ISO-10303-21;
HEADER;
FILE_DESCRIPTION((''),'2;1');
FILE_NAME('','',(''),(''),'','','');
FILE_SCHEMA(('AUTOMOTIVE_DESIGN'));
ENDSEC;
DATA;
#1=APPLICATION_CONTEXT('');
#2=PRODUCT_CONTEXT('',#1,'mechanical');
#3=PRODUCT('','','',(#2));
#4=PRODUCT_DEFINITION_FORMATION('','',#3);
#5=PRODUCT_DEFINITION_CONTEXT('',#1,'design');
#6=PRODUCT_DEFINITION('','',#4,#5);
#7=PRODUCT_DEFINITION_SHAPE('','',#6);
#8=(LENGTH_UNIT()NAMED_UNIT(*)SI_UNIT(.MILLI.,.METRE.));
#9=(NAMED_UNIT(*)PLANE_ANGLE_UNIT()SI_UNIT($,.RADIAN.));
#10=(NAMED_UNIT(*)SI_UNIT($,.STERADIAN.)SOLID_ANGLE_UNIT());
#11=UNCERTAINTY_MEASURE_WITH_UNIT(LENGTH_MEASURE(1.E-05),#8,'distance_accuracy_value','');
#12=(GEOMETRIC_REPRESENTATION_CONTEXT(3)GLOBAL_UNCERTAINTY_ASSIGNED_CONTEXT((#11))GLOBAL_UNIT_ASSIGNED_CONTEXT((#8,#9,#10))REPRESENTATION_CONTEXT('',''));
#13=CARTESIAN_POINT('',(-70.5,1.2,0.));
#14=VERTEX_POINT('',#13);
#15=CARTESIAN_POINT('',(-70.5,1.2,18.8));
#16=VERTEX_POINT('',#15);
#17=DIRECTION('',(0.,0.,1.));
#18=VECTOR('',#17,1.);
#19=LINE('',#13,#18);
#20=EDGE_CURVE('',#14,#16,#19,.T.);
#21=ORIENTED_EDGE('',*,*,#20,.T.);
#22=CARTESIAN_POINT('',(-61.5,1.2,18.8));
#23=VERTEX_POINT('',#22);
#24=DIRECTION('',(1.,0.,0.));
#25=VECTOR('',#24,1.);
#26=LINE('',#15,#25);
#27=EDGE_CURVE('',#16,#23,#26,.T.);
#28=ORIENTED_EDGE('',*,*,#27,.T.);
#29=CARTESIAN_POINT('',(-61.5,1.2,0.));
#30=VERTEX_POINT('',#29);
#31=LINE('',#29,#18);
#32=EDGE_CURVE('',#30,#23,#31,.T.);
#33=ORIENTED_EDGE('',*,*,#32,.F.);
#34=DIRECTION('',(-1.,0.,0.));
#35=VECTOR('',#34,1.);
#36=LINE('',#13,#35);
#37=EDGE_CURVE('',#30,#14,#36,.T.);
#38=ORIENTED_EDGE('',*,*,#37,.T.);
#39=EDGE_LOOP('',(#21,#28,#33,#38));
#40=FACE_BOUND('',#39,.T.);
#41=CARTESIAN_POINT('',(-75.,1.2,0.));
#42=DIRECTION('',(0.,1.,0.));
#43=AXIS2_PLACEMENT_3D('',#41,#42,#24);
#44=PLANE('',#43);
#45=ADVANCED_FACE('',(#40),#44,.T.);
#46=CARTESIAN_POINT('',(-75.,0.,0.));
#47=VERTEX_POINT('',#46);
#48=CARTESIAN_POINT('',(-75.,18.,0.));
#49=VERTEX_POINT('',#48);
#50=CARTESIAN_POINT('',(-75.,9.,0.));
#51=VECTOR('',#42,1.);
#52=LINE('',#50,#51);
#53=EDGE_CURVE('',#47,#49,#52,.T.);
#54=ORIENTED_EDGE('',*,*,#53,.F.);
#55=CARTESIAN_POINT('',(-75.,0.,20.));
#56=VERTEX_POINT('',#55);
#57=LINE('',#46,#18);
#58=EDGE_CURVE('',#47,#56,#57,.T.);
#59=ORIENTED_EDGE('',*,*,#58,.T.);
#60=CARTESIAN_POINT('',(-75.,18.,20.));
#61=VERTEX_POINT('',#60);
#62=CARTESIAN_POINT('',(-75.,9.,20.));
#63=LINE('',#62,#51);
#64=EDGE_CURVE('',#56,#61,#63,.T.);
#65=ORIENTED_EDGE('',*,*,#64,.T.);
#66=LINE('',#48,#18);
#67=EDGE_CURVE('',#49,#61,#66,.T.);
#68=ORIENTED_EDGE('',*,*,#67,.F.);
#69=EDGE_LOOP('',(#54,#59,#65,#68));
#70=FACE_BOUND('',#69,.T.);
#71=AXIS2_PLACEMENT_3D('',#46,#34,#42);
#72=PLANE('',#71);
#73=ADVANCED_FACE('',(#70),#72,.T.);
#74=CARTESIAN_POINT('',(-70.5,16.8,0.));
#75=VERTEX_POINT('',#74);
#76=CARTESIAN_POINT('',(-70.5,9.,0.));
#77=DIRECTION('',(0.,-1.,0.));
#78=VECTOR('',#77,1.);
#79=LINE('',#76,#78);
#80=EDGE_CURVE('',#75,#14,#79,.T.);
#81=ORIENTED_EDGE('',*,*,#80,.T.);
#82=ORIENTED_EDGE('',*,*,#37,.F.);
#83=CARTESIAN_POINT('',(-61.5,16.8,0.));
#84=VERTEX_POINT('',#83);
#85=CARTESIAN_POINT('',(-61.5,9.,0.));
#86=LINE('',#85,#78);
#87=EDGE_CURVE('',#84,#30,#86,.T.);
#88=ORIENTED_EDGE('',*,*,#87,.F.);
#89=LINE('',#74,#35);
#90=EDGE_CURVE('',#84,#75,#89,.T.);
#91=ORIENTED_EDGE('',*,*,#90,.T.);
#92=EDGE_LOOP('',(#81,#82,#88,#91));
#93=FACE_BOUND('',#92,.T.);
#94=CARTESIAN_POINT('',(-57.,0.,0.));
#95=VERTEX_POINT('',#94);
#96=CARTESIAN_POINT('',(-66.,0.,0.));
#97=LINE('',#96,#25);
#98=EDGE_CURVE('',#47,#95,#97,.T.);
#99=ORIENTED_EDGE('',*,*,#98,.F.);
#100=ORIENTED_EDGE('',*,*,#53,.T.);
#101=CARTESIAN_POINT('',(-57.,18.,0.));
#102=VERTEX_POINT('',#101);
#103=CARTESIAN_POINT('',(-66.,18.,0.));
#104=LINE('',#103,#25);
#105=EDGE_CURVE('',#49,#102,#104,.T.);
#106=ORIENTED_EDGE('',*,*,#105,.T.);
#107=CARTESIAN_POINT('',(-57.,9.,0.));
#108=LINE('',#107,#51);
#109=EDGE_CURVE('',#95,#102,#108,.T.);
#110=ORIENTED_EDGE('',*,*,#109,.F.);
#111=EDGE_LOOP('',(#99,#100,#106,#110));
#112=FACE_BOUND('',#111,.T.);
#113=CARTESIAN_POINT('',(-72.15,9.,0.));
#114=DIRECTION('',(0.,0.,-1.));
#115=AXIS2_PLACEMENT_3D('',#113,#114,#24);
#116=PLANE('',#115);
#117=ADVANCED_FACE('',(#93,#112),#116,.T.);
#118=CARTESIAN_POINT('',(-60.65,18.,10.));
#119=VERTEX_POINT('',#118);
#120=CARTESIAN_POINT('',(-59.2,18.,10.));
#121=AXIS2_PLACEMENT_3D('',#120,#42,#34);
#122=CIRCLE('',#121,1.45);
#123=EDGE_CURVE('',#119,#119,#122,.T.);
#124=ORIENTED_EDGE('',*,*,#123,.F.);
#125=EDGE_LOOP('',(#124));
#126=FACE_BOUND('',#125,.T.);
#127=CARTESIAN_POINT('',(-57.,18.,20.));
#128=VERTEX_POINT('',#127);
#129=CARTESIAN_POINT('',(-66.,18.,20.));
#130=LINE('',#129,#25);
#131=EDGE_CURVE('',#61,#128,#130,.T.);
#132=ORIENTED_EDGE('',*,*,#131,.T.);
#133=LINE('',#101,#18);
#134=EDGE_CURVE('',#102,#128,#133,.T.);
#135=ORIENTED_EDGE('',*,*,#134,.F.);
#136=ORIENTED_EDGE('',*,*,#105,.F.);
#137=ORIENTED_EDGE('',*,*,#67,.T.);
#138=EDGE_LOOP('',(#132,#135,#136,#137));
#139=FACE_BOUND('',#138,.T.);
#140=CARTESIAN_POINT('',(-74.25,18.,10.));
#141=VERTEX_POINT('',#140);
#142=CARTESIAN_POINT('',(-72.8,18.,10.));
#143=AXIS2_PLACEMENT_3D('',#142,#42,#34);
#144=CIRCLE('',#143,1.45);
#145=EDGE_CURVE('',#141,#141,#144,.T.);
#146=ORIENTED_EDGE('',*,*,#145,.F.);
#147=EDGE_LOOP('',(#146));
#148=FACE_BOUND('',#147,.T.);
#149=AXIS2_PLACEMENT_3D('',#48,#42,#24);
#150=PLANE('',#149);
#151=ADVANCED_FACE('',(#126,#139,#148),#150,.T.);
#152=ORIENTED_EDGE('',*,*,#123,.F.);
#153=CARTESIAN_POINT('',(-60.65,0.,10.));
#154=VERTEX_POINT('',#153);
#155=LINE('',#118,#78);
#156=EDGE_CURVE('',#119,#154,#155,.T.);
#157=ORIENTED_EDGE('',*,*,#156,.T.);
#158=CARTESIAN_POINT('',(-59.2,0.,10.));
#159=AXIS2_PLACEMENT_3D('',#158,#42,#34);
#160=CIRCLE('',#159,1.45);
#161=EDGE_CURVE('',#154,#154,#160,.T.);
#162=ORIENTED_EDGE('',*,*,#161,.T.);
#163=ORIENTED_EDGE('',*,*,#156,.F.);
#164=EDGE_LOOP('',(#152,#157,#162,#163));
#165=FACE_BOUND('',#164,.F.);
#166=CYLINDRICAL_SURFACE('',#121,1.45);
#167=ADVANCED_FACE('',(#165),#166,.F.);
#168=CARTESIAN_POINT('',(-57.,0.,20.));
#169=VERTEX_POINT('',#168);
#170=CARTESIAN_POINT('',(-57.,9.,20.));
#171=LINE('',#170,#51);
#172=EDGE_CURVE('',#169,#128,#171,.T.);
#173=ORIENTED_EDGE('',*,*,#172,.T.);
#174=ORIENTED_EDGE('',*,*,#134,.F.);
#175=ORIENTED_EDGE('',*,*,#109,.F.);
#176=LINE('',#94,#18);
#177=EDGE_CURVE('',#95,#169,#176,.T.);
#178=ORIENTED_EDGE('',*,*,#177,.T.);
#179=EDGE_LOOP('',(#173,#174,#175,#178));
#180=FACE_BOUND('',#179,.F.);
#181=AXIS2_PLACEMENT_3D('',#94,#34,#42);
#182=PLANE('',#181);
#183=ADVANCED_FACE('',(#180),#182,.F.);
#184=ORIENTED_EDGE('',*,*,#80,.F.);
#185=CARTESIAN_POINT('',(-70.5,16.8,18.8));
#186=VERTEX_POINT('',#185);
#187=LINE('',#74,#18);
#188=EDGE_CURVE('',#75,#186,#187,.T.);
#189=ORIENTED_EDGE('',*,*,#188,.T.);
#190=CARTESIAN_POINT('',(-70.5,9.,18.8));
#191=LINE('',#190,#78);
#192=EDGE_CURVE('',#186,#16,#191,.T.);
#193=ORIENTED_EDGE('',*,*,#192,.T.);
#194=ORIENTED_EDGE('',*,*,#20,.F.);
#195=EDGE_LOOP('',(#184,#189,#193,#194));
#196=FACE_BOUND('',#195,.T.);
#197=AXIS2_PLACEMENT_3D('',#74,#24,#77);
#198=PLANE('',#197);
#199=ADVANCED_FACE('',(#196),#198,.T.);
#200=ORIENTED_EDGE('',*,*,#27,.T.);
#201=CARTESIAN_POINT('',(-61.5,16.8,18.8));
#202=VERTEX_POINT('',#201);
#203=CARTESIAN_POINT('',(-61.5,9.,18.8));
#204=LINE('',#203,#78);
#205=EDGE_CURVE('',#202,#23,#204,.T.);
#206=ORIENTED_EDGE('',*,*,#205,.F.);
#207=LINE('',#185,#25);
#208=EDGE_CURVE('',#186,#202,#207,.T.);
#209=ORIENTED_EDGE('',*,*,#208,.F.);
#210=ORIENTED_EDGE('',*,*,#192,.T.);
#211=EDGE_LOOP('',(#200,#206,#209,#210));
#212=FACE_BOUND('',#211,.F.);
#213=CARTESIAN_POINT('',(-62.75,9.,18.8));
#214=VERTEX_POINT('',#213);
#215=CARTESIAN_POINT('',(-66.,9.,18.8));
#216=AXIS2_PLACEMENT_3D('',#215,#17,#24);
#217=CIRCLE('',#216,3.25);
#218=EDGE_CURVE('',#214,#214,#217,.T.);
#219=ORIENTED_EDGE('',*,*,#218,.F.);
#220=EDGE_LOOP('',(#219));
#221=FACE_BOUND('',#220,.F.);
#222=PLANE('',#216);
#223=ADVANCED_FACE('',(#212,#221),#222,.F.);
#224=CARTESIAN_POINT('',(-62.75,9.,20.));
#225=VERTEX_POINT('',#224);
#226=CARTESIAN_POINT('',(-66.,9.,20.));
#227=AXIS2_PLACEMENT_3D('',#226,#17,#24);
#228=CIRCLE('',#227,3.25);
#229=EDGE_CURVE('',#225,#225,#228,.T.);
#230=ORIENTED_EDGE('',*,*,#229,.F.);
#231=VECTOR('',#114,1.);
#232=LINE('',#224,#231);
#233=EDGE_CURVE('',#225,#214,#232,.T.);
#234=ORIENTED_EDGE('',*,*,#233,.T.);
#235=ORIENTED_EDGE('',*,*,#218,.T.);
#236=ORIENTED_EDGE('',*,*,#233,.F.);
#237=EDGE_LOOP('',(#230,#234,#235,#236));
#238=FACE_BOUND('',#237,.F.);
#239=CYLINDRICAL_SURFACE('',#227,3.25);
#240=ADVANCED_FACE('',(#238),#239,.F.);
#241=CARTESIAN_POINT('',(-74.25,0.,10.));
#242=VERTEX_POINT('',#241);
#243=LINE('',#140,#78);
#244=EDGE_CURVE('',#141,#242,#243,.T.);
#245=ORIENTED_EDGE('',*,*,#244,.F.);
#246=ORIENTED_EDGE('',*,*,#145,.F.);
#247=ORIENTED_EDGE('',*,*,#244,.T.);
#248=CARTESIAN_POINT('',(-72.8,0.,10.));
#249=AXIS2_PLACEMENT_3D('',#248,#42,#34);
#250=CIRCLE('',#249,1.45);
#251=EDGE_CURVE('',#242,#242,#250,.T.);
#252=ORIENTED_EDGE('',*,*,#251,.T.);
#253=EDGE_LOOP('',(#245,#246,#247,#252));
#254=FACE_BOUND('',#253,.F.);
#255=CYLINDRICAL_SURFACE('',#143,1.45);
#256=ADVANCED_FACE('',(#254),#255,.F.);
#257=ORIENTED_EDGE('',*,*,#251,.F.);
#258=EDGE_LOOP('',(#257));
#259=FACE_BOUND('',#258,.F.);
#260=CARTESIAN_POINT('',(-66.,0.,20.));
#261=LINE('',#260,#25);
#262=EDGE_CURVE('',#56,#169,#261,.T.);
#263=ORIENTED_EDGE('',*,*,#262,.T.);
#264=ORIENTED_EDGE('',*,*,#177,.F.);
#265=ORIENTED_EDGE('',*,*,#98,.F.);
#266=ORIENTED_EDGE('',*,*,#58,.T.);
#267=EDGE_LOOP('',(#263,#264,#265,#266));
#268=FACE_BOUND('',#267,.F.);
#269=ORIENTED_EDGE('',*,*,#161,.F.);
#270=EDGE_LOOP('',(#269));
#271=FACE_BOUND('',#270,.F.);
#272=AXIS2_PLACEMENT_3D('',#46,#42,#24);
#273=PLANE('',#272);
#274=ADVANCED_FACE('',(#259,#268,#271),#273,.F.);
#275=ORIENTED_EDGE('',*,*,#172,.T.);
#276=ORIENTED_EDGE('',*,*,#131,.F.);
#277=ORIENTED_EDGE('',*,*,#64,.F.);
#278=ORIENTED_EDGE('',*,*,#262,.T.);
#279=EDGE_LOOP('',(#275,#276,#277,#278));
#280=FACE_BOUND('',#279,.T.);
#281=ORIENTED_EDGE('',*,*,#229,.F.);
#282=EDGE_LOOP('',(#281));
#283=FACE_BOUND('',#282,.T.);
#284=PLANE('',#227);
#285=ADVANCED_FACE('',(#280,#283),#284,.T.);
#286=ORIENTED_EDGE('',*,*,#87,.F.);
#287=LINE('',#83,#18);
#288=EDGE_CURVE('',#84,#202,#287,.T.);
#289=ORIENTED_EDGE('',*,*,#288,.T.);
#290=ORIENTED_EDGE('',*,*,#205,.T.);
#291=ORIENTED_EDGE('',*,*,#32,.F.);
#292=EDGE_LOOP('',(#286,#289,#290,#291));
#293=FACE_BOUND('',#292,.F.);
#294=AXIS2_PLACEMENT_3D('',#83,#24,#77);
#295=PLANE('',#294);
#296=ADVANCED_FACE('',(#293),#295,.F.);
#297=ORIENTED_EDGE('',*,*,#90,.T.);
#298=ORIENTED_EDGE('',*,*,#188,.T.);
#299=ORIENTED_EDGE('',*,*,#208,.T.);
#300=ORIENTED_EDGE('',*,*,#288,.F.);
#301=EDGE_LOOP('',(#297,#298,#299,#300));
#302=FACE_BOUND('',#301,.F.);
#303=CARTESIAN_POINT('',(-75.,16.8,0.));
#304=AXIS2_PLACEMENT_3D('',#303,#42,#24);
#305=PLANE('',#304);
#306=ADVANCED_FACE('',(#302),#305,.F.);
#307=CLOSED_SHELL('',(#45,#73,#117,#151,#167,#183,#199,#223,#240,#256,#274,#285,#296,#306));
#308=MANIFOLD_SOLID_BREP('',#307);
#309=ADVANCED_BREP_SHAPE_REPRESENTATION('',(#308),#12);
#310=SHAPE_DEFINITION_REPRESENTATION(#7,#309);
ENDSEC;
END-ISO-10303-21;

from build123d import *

# Parameters (mm, degrees)
SKETCH007_W     = 18
SKETCH007_H     = 18
PAD007_DEPTH    = 20
THICKNESS002_T  = -1.2
SKETCH008_R     = 3.25
POCKET002_DEPTH = 5
SKETCH009_W     = 3.3
SKETCH009_H     = 15.6
PAD008_DEPTH    = 18.8
SKETCH010_R     = 1.45
POCKET003_DEPTH = 18.001


with BuildPart() as part:
    # Sketch007 → Pad007 (new body)
    with BuildSketch(Plane.XY):
        with Locations((9, 9)):
            Rectangle(SKETCH007_W, SKETCH007_H)
    extrude(amount=PAD007_DEPTH)

    # Thickness002
    thickness002_openings = [part.faces().sort_by_distance(p)[0] for p in [
        (9, 9, 0),
    ]]
    offset(amount=THICKNESS002_T, openings=thickness002_openings, kind=Kind.INTERSECTION)

    # Sketch008 (on Face5 of Thickness002) → Pocket002 (cut)
    with BuildSketch(Plane.XY.offset(20)):
        with Locations((9, 9)):
            Circle(SKETCH008_R)
    extrude(amount=-POCKET002_DEPTH, mode=Mode.SUBTRACT)

    # Sketch009 (on Face4 of Pocket002) → Pad008 (join)
    with BuildSketch(Plane(origin=(0, 0, 0), x_dir=(1, 0, 0), z_dir=(0, 0, -1))):
        with Locations((2.85, -9)):
            Rectangle(SKETCH009_W, SKETCH009_H)
        with Locations((15.15, -9)):
            Rectangle(SKETCH009_W, SKETCH009_H)
    extrude(amount=-PAD008_DEPTH)

    # Sketch010 (on Face6 of Pad008) → Pocket003 (cut, through all)
    with BuildSketch(Plane(origin=(0, 18, 0), x_dir=(-1, 0, 0), z_dir=(0, 1, 0))):
        with Locations((-15.8, 10)):
            Circle(SKETCH010_R)
        with Locations((-2.2, 10)):
            Circle(SKETCH010_R)
    extrude(amount=-POCKET003_DEPTH, mode=Mode.SUBTRACT)


with BuildPart() as part_1:
    # Body003 placement: moved
    add(part.part.moved(Location((-75, 0, 0))))


solid = part_1.part
